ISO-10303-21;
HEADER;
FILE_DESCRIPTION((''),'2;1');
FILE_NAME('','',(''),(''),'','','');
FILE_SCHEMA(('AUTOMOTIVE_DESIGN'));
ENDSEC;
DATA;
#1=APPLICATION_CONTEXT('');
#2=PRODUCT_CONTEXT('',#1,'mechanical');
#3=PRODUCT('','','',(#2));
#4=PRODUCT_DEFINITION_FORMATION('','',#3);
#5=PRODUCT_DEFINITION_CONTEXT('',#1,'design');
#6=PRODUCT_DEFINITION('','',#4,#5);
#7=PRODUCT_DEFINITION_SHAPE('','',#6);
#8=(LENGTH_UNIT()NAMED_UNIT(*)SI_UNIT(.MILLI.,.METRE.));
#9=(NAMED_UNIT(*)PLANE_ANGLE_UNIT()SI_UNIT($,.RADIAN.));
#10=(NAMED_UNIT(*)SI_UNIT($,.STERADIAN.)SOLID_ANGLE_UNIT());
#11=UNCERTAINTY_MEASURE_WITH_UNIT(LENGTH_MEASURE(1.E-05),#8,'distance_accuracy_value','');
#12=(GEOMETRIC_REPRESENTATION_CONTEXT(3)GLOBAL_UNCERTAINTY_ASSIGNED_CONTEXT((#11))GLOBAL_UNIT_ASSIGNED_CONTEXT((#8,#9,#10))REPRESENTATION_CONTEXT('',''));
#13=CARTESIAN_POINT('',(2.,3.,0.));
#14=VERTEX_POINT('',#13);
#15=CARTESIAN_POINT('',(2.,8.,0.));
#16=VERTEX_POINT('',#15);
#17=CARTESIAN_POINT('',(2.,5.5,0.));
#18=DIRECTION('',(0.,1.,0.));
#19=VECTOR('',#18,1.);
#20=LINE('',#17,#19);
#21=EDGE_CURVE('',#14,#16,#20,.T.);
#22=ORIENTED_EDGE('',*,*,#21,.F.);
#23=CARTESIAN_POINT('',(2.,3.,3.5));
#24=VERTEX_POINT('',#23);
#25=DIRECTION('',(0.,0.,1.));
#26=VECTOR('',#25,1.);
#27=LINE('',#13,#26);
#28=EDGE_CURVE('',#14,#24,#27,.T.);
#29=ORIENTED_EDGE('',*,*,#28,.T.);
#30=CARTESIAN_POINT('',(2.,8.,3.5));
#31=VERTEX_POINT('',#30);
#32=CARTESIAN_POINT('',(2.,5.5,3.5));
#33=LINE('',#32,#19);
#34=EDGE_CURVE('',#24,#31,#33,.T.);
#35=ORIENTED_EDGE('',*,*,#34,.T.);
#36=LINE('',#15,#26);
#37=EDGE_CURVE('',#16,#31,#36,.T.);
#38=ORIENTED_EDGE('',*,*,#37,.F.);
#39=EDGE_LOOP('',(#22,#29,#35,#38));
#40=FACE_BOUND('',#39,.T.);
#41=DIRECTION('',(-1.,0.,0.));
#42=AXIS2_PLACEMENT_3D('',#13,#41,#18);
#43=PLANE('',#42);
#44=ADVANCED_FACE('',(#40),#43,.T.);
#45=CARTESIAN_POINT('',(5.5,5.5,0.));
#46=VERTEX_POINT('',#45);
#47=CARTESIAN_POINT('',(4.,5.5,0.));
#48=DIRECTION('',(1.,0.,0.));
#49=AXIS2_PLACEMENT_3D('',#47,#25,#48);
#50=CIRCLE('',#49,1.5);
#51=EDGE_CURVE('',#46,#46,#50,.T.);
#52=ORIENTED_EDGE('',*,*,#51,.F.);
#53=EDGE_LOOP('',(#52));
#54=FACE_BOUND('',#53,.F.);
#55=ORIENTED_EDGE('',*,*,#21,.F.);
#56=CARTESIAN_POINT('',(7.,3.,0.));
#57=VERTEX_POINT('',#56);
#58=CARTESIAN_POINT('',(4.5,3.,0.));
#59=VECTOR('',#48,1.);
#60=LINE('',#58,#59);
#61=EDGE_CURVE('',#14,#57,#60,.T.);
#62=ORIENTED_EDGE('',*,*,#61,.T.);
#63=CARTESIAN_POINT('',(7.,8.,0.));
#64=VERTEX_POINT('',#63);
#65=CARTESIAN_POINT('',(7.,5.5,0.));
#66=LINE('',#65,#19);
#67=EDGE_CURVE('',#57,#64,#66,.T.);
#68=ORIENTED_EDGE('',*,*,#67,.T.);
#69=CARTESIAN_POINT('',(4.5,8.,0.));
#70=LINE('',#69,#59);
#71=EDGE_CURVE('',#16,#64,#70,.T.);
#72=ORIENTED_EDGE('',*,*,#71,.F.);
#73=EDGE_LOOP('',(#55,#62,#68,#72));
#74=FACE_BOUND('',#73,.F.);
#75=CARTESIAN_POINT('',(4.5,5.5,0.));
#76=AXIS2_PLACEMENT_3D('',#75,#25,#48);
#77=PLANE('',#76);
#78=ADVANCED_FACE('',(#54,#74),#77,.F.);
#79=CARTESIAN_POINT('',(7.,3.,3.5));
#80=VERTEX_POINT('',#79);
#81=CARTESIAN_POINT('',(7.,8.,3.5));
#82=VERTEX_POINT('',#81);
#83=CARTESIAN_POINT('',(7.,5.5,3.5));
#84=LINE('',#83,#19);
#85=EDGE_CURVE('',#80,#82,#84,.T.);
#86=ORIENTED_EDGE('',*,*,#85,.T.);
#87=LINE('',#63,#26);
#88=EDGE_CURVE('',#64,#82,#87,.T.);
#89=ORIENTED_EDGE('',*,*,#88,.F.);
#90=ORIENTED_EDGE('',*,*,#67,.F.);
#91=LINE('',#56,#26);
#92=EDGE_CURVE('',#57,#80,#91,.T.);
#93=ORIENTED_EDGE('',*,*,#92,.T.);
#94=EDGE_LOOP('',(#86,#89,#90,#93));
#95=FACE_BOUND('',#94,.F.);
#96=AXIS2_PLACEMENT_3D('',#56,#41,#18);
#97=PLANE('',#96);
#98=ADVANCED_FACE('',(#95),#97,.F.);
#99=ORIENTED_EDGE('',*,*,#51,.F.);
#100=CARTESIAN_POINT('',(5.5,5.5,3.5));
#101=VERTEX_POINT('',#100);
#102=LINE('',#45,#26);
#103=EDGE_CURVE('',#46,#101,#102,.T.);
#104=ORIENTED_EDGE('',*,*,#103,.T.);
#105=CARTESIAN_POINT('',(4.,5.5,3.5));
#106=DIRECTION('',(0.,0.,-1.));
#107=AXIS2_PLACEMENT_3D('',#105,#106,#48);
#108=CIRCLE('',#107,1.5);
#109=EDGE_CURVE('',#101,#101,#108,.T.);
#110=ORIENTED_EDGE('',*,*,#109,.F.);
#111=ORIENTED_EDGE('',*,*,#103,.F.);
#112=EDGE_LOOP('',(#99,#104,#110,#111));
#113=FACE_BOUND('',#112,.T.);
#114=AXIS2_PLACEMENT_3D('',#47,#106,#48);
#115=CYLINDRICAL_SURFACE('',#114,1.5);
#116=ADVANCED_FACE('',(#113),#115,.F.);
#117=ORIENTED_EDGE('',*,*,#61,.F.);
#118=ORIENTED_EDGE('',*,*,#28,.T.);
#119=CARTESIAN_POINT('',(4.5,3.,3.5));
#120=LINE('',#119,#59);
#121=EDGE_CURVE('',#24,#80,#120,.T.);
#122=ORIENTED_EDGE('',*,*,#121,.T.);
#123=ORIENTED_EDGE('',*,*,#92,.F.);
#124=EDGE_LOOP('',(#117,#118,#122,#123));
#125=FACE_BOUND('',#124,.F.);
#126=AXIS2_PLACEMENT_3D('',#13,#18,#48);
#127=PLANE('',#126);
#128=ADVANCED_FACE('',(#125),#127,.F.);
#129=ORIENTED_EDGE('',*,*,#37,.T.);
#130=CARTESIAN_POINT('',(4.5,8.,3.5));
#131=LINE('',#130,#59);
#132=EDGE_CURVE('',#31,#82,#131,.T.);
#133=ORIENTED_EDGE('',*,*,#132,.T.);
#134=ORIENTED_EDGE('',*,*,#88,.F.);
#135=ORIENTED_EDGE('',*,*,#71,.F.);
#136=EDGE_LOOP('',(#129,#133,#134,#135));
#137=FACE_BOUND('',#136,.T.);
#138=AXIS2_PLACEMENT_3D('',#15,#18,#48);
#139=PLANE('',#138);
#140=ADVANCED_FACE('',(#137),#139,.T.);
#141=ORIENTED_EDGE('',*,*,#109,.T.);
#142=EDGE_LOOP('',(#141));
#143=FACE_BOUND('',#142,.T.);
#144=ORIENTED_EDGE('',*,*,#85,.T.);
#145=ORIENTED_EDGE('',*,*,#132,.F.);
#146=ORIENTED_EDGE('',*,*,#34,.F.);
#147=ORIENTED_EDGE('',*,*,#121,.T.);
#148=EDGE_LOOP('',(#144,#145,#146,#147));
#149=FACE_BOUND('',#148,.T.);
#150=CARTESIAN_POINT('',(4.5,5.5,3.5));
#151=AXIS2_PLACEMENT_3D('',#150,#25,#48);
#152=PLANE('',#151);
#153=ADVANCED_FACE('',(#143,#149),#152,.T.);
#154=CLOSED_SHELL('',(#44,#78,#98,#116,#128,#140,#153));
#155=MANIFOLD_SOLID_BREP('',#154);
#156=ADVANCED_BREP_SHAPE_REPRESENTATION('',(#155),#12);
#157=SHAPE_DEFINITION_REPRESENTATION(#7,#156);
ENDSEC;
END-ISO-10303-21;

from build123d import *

# Parameters (mm, degrees)
CYLINDER_R     = 1.5
CYLINDER_DEPTH = 10
BOX008_W       = 5
BOX008_H       = 5
BOX008_DEPTH   = 3.5


with BuildPart() as hole:
    # Cylinder → Cylinder (new body)
    with BuildSketch(Plane(origin=(4, 5.5, 0), x_dir=(1, 0, 0), z_dir=(0, 0, 1))):
        Circle(CYLINDER_R)
    extrude(amount=CYLINDER_DEPTH)


with BuildPart() as stand_hole_cut:
    # Box008 → Box008 (new body)
    with BuildSketch(Plane(origin=(2, 3, 0), x_dir=(1, 0, 0), z_dir=(0, 0, 1))):
        with Locations((2.5, 2.5)):
            Rectangle(BOX008_W, BOX008_H)
    extrude(amount=BOX008_DEPTH)

    # Cut003002: cut hole
    add(hole.part, mode=Mode.SUBTRACT)


solid = stand_hole_cut.part
